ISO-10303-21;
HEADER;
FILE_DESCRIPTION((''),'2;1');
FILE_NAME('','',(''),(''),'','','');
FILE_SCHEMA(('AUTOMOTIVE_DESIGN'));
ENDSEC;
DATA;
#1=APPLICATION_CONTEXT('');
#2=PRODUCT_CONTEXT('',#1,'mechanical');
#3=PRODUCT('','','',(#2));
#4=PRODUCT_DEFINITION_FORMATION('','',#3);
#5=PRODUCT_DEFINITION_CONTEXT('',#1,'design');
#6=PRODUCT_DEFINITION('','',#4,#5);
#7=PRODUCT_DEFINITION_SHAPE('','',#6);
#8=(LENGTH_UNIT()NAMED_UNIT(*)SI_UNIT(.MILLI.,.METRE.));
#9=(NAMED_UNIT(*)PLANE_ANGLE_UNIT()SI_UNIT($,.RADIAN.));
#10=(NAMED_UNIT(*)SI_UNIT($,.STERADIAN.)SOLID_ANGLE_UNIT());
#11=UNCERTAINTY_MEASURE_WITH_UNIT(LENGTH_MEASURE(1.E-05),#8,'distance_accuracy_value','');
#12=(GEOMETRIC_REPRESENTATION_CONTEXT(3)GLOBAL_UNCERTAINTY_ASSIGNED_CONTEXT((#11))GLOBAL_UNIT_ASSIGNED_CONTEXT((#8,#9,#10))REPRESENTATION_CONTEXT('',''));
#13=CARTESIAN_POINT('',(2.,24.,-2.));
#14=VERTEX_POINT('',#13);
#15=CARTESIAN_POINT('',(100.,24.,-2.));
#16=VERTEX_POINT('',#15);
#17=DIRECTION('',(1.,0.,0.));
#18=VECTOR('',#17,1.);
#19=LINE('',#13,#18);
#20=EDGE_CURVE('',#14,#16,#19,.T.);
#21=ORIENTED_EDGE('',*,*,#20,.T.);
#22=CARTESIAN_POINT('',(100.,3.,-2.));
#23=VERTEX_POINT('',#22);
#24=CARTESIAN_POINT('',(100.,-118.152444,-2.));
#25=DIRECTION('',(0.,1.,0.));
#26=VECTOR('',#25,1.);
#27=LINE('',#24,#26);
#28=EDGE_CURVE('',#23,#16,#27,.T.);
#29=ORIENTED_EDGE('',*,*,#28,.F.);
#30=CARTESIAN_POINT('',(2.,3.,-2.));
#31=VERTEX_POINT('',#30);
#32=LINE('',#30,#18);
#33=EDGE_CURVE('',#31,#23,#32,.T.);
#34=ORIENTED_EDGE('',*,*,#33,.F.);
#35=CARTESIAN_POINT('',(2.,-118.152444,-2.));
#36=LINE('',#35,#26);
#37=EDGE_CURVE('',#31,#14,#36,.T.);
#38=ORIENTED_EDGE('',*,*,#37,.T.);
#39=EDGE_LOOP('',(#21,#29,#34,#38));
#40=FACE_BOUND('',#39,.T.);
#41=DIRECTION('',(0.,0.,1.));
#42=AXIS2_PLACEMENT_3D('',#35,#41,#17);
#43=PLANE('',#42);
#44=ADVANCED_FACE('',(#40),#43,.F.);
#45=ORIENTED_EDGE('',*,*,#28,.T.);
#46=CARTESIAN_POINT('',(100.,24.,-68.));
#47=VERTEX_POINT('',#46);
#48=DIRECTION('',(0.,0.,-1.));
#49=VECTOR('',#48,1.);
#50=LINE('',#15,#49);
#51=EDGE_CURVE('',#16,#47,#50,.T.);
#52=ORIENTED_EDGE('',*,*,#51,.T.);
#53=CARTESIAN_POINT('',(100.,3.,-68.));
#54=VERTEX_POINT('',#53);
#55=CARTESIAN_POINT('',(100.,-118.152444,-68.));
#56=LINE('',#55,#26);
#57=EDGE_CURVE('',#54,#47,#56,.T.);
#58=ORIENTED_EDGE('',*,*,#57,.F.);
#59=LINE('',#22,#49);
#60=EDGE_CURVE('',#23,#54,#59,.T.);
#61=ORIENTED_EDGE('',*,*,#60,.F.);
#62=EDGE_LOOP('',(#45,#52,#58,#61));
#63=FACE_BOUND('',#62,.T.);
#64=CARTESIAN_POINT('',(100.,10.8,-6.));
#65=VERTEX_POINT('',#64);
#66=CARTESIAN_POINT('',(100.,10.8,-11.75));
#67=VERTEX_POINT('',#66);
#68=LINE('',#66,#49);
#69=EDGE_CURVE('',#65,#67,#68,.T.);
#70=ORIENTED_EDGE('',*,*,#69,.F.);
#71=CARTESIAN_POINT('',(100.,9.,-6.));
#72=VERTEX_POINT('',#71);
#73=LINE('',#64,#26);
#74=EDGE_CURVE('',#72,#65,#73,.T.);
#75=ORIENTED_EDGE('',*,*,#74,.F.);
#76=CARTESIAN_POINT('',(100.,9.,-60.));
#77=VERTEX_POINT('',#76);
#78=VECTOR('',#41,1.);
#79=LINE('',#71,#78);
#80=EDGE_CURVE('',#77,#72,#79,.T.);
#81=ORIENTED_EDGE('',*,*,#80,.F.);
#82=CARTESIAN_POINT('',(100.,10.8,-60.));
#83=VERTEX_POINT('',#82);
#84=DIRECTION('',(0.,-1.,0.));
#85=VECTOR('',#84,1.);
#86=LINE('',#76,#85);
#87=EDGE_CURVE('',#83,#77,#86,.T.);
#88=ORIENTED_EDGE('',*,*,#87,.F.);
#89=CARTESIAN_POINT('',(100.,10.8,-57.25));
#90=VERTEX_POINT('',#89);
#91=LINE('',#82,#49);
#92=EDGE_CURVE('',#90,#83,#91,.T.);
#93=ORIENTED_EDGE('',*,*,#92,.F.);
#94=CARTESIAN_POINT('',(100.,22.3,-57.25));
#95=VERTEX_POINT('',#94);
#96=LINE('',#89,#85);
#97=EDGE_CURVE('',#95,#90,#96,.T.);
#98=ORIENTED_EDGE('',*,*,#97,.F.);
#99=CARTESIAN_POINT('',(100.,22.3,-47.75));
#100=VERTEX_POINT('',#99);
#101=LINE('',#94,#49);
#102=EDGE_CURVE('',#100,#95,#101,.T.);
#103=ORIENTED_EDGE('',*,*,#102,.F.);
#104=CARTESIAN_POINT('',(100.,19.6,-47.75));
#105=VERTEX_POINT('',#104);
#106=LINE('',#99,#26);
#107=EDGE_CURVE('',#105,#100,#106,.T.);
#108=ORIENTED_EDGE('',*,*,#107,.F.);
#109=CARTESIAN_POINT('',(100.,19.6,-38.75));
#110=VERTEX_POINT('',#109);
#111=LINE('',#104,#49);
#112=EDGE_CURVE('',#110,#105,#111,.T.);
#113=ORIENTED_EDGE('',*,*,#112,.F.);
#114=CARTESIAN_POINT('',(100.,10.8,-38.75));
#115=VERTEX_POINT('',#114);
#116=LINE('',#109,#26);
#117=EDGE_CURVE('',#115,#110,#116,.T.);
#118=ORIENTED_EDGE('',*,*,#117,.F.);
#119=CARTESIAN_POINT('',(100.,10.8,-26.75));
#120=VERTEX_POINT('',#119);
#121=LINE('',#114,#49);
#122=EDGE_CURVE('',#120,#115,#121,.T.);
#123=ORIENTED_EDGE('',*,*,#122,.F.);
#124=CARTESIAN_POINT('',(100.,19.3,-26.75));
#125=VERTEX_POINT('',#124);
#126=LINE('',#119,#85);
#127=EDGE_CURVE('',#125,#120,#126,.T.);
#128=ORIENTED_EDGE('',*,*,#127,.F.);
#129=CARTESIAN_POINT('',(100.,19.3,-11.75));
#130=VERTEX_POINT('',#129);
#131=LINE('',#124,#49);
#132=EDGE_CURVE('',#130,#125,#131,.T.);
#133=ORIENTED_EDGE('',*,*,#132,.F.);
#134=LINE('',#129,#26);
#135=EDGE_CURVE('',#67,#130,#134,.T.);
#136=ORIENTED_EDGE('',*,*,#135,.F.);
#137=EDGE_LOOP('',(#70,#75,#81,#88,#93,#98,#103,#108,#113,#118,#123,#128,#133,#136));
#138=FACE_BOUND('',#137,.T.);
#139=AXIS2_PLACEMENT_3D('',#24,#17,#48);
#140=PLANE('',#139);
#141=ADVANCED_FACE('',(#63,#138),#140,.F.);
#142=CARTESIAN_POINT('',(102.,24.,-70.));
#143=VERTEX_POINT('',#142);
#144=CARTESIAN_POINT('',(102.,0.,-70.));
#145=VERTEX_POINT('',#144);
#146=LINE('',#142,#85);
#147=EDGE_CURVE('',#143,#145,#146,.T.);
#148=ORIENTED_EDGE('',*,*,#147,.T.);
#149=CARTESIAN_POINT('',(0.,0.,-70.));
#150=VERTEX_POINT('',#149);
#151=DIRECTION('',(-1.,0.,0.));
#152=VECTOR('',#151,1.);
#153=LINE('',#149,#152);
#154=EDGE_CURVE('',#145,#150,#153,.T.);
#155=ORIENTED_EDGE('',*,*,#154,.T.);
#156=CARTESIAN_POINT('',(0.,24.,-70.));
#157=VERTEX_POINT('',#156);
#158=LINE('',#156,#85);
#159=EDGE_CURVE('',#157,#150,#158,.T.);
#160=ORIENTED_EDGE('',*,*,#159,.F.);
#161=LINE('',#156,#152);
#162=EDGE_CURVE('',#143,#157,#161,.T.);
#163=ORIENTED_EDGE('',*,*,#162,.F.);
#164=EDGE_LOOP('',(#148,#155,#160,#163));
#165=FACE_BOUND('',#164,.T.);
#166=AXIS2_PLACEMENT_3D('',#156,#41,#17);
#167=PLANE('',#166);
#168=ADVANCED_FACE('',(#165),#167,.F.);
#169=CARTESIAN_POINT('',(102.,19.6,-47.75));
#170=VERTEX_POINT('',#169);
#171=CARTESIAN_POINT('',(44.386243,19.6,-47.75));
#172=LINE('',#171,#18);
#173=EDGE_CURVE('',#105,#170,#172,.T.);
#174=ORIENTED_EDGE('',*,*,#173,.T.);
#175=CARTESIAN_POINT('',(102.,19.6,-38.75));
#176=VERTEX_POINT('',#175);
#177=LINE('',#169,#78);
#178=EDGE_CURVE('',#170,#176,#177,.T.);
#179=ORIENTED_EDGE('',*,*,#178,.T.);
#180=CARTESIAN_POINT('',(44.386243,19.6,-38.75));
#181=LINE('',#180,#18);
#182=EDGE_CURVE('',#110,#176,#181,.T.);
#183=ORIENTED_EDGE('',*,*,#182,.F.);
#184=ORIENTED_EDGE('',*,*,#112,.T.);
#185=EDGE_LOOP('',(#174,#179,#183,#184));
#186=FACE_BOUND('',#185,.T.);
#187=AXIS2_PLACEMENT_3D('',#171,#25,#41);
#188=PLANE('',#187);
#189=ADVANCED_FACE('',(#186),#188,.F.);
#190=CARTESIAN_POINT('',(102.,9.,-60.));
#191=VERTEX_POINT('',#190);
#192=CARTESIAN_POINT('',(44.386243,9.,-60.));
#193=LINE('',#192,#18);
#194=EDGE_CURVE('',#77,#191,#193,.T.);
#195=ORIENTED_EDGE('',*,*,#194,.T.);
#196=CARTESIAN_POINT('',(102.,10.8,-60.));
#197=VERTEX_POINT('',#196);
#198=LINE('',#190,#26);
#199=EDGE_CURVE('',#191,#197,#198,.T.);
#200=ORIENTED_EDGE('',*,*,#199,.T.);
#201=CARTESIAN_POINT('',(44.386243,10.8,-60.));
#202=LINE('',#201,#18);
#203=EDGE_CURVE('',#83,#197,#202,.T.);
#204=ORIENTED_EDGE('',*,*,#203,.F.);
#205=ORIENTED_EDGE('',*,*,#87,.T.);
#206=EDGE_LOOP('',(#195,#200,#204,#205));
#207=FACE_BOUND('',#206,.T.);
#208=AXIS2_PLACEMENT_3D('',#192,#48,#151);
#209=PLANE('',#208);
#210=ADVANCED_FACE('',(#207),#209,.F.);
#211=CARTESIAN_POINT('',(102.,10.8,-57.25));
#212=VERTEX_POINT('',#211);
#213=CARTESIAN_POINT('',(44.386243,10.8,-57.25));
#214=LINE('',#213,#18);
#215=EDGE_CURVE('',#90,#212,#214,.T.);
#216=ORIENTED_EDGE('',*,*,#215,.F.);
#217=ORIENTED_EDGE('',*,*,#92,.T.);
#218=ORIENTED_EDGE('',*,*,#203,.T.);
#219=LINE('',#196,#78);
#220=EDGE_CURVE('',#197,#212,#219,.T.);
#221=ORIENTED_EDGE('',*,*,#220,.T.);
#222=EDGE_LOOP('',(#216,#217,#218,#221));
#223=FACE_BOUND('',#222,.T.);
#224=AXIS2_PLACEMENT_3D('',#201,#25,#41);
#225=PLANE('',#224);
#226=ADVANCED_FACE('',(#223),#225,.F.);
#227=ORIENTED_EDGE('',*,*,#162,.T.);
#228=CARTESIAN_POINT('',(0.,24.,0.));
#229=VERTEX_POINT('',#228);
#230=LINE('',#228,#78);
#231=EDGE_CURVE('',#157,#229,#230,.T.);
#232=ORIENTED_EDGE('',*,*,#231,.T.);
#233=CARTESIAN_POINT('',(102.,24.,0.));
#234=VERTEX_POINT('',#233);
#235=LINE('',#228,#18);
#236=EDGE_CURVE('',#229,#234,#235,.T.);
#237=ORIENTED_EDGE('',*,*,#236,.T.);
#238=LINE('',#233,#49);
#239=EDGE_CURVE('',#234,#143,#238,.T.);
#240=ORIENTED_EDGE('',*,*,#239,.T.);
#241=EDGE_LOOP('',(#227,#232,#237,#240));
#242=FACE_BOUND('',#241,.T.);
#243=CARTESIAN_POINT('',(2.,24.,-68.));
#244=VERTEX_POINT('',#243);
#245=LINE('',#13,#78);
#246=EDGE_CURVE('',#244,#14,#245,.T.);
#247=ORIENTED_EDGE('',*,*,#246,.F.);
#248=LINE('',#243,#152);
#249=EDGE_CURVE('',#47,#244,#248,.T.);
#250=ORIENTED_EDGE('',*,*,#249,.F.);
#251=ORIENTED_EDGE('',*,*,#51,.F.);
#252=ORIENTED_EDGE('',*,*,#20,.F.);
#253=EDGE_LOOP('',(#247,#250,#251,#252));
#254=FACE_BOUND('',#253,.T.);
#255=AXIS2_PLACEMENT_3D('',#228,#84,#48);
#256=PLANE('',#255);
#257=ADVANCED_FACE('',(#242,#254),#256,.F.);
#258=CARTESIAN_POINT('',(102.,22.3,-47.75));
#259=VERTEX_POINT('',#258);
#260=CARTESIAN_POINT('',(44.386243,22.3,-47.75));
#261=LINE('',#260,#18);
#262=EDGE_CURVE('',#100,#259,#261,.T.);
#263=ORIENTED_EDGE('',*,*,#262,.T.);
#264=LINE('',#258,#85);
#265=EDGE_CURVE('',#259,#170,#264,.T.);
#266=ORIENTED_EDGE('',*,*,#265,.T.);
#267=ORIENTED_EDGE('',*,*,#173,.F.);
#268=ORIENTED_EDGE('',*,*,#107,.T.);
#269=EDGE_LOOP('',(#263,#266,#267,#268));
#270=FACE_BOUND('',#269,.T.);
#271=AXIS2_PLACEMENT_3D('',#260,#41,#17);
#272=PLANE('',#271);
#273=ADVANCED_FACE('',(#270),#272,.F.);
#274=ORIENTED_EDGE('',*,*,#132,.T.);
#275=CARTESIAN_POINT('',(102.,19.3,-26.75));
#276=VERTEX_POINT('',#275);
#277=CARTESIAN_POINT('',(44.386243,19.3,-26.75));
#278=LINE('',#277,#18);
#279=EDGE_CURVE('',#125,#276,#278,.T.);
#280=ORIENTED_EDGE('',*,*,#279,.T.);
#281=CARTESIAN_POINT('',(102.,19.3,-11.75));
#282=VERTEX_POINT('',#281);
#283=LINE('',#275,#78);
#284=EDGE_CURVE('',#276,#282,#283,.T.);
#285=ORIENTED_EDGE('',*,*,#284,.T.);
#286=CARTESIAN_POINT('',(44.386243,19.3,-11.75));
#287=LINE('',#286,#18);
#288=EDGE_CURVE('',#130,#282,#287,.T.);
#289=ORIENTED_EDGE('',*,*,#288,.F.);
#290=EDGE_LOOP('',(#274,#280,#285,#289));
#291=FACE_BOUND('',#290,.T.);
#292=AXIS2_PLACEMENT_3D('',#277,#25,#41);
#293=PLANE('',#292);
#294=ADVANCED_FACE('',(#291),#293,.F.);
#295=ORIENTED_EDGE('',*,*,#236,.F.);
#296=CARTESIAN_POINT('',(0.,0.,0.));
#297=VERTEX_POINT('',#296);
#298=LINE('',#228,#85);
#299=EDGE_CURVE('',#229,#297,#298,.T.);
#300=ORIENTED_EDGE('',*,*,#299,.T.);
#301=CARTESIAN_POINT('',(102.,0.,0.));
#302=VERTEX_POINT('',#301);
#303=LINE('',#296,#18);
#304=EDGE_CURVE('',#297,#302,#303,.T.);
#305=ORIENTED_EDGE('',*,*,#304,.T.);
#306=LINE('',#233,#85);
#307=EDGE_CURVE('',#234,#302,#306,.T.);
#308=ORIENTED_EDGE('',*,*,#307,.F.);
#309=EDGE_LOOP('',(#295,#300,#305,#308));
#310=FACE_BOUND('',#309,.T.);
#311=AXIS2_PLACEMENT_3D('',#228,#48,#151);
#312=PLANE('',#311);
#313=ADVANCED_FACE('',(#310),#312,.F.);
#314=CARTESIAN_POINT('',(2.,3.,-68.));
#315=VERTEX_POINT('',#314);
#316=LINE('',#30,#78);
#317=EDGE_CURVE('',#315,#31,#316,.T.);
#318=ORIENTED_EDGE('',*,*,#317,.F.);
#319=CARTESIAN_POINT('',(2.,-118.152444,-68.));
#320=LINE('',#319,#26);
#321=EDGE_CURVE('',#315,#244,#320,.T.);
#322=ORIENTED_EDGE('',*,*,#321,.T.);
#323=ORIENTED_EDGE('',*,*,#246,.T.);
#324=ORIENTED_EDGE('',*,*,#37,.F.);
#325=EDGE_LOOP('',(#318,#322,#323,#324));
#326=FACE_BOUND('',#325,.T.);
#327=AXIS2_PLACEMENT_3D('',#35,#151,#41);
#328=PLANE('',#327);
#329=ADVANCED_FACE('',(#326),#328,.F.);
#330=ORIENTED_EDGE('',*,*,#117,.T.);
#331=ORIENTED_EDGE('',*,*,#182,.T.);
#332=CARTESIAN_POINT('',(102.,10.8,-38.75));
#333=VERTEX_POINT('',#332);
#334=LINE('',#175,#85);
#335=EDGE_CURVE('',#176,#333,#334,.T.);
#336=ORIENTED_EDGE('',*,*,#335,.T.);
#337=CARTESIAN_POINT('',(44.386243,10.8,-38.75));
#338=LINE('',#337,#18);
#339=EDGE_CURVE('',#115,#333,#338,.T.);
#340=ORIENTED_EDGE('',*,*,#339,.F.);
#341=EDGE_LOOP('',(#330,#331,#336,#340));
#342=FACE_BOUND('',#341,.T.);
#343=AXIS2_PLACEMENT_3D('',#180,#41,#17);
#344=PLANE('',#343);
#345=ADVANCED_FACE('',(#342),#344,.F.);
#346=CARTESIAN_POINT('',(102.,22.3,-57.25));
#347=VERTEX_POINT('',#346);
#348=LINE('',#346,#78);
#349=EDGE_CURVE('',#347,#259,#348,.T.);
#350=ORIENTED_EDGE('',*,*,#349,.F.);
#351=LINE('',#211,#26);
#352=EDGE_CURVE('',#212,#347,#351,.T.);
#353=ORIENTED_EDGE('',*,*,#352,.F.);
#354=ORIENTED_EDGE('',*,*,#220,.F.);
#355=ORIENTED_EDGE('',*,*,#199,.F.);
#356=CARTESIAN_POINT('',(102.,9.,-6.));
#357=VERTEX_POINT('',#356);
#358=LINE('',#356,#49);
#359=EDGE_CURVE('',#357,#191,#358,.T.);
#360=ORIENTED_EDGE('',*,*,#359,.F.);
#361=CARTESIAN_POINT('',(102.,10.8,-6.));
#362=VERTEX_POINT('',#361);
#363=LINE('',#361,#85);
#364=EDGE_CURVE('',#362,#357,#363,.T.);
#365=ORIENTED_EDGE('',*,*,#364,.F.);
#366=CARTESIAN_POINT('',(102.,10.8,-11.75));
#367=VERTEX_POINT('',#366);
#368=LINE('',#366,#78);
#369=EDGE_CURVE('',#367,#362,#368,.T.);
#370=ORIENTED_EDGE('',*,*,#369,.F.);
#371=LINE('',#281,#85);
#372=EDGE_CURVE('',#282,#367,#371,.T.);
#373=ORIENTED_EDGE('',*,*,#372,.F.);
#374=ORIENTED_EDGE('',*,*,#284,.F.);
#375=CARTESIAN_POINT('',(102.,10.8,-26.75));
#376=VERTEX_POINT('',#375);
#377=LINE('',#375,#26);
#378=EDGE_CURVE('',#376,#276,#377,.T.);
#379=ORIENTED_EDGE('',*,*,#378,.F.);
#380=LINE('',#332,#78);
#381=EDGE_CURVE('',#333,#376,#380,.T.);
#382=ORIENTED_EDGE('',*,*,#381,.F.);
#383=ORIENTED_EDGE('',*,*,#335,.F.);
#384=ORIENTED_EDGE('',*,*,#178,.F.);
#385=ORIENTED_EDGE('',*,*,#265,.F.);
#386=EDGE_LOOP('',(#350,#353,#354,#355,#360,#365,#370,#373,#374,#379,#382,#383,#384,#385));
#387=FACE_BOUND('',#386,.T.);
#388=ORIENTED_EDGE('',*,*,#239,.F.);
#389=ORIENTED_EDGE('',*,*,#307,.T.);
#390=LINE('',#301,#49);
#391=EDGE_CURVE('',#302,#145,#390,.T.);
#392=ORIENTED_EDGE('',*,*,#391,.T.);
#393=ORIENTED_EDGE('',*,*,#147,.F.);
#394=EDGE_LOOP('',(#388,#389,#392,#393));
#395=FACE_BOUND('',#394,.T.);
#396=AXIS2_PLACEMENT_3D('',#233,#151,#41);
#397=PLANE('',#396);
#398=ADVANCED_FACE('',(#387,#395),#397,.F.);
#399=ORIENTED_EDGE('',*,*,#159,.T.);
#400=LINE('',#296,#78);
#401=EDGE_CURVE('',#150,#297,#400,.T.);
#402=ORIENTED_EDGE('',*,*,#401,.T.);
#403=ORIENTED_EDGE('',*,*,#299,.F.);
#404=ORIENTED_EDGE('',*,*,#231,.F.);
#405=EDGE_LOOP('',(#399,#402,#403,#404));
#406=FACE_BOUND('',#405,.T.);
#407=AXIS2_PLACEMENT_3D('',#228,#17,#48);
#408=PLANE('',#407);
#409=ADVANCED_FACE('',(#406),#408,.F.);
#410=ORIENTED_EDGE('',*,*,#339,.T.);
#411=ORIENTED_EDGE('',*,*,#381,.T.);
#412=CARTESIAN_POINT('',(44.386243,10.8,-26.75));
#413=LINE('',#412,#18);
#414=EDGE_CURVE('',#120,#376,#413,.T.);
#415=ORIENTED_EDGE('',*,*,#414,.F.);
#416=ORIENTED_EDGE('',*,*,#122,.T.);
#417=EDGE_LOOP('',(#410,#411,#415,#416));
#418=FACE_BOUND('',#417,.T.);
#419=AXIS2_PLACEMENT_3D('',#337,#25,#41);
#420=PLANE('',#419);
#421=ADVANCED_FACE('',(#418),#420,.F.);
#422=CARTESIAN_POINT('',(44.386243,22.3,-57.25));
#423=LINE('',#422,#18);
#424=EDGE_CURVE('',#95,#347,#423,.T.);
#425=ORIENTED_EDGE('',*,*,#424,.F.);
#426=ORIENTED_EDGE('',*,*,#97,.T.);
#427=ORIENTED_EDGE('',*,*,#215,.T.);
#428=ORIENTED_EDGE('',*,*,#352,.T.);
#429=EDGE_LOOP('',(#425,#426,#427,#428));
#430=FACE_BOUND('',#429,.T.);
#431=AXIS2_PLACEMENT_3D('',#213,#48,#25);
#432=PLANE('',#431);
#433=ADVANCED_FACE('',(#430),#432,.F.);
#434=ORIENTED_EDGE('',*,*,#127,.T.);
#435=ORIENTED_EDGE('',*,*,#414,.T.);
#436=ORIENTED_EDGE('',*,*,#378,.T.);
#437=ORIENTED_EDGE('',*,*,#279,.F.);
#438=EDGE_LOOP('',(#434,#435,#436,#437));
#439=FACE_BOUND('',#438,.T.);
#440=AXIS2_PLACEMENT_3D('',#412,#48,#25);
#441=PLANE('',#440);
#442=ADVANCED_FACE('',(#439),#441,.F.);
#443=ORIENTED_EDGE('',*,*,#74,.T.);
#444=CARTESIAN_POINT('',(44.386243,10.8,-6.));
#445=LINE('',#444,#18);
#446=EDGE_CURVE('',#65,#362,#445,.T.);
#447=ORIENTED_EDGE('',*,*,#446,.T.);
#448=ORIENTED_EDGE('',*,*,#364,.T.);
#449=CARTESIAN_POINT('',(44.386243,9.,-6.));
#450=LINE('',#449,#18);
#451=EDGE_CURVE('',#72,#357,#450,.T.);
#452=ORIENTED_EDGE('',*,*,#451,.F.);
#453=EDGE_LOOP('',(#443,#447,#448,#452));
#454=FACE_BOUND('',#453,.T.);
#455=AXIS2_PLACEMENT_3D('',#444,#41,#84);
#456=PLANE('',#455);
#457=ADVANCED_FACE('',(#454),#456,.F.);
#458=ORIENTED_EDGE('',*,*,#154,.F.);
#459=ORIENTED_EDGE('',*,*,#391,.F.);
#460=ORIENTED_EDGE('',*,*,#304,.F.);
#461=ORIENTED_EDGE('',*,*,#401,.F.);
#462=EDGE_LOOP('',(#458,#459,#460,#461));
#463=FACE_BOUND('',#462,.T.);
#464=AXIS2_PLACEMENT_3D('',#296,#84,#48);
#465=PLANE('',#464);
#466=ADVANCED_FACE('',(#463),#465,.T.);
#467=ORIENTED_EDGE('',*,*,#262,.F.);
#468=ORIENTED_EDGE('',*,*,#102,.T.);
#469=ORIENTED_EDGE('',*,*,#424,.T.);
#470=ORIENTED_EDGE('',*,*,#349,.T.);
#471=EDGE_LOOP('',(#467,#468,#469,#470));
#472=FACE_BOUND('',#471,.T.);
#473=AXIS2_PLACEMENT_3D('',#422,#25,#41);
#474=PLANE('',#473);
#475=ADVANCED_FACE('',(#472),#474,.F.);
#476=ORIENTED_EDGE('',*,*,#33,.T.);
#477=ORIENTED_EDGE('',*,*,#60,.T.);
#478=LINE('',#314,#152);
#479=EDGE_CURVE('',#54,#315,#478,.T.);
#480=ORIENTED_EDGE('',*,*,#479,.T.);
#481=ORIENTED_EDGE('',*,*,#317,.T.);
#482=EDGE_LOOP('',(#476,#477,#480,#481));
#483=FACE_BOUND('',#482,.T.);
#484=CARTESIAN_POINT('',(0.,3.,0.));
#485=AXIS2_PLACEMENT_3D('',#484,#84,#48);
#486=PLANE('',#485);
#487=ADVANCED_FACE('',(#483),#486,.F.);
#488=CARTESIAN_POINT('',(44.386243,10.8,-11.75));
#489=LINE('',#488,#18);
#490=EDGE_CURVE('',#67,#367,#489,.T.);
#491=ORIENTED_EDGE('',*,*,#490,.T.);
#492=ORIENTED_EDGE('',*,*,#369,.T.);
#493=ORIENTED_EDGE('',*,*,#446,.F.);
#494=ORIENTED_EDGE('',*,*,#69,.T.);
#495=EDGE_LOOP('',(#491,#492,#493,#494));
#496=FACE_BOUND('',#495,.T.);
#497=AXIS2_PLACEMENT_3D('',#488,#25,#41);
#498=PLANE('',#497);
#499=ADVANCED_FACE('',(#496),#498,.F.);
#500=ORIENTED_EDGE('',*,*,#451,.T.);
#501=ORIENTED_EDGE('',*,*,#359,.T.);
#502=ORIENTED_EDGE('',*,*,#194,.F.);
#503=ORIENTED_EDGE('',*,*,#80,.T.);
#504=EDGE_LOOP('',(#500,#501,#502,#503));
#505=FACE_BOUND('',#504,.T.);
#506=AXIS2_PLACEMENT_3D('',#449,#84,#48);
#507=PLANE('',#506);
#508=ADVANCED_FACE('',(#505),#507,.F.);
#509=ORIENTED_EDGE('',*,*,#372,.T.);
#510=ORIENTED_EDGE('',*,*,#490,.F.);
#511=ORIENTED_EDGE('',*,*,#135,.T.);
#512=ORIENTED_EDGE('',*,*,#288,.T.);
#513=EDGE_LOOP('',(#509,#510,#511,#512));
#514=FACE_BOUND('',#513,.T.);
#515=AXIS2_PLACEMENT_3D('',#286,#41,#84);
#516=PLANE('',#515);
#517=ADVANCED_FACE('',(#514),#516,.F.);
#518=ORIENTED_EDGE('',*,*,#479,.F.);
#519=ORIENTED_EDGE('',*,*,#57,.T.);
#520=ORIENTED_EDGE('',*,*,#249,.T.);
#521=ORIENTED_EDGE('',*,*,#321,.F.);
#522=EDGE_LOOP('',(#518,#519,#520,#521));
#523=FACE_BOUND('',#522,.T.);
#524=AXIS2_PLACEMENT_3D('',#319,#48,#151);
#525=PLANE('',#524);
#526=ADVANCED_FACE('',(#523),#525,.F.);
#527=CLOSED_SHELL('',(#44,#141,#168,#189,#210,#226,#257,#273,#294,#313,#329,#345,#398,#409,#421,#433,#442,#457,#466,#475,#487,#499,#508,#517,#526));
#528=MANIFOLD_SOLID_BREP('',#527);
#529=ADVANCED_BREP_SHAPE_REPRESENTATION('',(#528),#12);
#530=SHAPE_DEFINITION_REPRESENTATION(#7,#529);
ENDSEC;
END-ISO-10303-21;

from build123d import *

# Parameters (mm, degrees)
CROQUIS1_W              = 102
CROQUIS1_H              = 70
SALIENTE_EXTRUIR1_DEPTH = 24
CROQUIS2_W              = 98
CROQUIS2_H              = 66
CORTAR_EXTRUIR1_DEPTH   = 21
CORTAR_EXTRUIR2_DEPTH   = 2


with BuildPart() as part:
    # Croquis1 → Saliente-Extruir1 (new body)
    with BuildSketch(Plane(origin=(0, 0, 0), x_dir=(1, 0, 0), z_dir=(0, 1, 0))):
        with Locations((51, 35)):
            Rectangle(CROQUIS1_W, CROQUIS1_H)
    extrude(amount=SALIENTE_EXTRUIR1_DEPTH)

    # Croquis2 → Cortar-Extruir1 (cut)
    with BuildSketch(Plane(origin=(0, 24, 0), x_dir=(1, 0, 0), z_dir=(0, 1, 0))):
        with Locations((51, 35)):
            Rectangle(CROQUIS2_W, CROQUIS2_H)
    extrude(amount=-CORTAR_EXTRUIR1_DEPTH, mode=Mode.SUBTRACT)

    # Croquis3 → Cortar-Extruir2 (cut)
    with BuildSketch(Plane(origin=(102, 0, 0), x_dir=(0, 0, -1), z_dir=(1, 0, 0))):
        Polygon((6, 9), (60, 9), (60, 10.8), (57.25, 10.8), (57.25, 22.3), (47.75, 22.3), (47.75, 19.6), (38.75, 19.6), (38.75, 10.8), (26.75, 10.8), (26.75, 19.3), (11.75, 19.3), (11.75, 10.8), (6, 10.8), align=None)
    extrude(amount=-CORTAR_EXTRUIR2_DEPTH, mode=Mode.SUBTRACT)


solid = part.part
